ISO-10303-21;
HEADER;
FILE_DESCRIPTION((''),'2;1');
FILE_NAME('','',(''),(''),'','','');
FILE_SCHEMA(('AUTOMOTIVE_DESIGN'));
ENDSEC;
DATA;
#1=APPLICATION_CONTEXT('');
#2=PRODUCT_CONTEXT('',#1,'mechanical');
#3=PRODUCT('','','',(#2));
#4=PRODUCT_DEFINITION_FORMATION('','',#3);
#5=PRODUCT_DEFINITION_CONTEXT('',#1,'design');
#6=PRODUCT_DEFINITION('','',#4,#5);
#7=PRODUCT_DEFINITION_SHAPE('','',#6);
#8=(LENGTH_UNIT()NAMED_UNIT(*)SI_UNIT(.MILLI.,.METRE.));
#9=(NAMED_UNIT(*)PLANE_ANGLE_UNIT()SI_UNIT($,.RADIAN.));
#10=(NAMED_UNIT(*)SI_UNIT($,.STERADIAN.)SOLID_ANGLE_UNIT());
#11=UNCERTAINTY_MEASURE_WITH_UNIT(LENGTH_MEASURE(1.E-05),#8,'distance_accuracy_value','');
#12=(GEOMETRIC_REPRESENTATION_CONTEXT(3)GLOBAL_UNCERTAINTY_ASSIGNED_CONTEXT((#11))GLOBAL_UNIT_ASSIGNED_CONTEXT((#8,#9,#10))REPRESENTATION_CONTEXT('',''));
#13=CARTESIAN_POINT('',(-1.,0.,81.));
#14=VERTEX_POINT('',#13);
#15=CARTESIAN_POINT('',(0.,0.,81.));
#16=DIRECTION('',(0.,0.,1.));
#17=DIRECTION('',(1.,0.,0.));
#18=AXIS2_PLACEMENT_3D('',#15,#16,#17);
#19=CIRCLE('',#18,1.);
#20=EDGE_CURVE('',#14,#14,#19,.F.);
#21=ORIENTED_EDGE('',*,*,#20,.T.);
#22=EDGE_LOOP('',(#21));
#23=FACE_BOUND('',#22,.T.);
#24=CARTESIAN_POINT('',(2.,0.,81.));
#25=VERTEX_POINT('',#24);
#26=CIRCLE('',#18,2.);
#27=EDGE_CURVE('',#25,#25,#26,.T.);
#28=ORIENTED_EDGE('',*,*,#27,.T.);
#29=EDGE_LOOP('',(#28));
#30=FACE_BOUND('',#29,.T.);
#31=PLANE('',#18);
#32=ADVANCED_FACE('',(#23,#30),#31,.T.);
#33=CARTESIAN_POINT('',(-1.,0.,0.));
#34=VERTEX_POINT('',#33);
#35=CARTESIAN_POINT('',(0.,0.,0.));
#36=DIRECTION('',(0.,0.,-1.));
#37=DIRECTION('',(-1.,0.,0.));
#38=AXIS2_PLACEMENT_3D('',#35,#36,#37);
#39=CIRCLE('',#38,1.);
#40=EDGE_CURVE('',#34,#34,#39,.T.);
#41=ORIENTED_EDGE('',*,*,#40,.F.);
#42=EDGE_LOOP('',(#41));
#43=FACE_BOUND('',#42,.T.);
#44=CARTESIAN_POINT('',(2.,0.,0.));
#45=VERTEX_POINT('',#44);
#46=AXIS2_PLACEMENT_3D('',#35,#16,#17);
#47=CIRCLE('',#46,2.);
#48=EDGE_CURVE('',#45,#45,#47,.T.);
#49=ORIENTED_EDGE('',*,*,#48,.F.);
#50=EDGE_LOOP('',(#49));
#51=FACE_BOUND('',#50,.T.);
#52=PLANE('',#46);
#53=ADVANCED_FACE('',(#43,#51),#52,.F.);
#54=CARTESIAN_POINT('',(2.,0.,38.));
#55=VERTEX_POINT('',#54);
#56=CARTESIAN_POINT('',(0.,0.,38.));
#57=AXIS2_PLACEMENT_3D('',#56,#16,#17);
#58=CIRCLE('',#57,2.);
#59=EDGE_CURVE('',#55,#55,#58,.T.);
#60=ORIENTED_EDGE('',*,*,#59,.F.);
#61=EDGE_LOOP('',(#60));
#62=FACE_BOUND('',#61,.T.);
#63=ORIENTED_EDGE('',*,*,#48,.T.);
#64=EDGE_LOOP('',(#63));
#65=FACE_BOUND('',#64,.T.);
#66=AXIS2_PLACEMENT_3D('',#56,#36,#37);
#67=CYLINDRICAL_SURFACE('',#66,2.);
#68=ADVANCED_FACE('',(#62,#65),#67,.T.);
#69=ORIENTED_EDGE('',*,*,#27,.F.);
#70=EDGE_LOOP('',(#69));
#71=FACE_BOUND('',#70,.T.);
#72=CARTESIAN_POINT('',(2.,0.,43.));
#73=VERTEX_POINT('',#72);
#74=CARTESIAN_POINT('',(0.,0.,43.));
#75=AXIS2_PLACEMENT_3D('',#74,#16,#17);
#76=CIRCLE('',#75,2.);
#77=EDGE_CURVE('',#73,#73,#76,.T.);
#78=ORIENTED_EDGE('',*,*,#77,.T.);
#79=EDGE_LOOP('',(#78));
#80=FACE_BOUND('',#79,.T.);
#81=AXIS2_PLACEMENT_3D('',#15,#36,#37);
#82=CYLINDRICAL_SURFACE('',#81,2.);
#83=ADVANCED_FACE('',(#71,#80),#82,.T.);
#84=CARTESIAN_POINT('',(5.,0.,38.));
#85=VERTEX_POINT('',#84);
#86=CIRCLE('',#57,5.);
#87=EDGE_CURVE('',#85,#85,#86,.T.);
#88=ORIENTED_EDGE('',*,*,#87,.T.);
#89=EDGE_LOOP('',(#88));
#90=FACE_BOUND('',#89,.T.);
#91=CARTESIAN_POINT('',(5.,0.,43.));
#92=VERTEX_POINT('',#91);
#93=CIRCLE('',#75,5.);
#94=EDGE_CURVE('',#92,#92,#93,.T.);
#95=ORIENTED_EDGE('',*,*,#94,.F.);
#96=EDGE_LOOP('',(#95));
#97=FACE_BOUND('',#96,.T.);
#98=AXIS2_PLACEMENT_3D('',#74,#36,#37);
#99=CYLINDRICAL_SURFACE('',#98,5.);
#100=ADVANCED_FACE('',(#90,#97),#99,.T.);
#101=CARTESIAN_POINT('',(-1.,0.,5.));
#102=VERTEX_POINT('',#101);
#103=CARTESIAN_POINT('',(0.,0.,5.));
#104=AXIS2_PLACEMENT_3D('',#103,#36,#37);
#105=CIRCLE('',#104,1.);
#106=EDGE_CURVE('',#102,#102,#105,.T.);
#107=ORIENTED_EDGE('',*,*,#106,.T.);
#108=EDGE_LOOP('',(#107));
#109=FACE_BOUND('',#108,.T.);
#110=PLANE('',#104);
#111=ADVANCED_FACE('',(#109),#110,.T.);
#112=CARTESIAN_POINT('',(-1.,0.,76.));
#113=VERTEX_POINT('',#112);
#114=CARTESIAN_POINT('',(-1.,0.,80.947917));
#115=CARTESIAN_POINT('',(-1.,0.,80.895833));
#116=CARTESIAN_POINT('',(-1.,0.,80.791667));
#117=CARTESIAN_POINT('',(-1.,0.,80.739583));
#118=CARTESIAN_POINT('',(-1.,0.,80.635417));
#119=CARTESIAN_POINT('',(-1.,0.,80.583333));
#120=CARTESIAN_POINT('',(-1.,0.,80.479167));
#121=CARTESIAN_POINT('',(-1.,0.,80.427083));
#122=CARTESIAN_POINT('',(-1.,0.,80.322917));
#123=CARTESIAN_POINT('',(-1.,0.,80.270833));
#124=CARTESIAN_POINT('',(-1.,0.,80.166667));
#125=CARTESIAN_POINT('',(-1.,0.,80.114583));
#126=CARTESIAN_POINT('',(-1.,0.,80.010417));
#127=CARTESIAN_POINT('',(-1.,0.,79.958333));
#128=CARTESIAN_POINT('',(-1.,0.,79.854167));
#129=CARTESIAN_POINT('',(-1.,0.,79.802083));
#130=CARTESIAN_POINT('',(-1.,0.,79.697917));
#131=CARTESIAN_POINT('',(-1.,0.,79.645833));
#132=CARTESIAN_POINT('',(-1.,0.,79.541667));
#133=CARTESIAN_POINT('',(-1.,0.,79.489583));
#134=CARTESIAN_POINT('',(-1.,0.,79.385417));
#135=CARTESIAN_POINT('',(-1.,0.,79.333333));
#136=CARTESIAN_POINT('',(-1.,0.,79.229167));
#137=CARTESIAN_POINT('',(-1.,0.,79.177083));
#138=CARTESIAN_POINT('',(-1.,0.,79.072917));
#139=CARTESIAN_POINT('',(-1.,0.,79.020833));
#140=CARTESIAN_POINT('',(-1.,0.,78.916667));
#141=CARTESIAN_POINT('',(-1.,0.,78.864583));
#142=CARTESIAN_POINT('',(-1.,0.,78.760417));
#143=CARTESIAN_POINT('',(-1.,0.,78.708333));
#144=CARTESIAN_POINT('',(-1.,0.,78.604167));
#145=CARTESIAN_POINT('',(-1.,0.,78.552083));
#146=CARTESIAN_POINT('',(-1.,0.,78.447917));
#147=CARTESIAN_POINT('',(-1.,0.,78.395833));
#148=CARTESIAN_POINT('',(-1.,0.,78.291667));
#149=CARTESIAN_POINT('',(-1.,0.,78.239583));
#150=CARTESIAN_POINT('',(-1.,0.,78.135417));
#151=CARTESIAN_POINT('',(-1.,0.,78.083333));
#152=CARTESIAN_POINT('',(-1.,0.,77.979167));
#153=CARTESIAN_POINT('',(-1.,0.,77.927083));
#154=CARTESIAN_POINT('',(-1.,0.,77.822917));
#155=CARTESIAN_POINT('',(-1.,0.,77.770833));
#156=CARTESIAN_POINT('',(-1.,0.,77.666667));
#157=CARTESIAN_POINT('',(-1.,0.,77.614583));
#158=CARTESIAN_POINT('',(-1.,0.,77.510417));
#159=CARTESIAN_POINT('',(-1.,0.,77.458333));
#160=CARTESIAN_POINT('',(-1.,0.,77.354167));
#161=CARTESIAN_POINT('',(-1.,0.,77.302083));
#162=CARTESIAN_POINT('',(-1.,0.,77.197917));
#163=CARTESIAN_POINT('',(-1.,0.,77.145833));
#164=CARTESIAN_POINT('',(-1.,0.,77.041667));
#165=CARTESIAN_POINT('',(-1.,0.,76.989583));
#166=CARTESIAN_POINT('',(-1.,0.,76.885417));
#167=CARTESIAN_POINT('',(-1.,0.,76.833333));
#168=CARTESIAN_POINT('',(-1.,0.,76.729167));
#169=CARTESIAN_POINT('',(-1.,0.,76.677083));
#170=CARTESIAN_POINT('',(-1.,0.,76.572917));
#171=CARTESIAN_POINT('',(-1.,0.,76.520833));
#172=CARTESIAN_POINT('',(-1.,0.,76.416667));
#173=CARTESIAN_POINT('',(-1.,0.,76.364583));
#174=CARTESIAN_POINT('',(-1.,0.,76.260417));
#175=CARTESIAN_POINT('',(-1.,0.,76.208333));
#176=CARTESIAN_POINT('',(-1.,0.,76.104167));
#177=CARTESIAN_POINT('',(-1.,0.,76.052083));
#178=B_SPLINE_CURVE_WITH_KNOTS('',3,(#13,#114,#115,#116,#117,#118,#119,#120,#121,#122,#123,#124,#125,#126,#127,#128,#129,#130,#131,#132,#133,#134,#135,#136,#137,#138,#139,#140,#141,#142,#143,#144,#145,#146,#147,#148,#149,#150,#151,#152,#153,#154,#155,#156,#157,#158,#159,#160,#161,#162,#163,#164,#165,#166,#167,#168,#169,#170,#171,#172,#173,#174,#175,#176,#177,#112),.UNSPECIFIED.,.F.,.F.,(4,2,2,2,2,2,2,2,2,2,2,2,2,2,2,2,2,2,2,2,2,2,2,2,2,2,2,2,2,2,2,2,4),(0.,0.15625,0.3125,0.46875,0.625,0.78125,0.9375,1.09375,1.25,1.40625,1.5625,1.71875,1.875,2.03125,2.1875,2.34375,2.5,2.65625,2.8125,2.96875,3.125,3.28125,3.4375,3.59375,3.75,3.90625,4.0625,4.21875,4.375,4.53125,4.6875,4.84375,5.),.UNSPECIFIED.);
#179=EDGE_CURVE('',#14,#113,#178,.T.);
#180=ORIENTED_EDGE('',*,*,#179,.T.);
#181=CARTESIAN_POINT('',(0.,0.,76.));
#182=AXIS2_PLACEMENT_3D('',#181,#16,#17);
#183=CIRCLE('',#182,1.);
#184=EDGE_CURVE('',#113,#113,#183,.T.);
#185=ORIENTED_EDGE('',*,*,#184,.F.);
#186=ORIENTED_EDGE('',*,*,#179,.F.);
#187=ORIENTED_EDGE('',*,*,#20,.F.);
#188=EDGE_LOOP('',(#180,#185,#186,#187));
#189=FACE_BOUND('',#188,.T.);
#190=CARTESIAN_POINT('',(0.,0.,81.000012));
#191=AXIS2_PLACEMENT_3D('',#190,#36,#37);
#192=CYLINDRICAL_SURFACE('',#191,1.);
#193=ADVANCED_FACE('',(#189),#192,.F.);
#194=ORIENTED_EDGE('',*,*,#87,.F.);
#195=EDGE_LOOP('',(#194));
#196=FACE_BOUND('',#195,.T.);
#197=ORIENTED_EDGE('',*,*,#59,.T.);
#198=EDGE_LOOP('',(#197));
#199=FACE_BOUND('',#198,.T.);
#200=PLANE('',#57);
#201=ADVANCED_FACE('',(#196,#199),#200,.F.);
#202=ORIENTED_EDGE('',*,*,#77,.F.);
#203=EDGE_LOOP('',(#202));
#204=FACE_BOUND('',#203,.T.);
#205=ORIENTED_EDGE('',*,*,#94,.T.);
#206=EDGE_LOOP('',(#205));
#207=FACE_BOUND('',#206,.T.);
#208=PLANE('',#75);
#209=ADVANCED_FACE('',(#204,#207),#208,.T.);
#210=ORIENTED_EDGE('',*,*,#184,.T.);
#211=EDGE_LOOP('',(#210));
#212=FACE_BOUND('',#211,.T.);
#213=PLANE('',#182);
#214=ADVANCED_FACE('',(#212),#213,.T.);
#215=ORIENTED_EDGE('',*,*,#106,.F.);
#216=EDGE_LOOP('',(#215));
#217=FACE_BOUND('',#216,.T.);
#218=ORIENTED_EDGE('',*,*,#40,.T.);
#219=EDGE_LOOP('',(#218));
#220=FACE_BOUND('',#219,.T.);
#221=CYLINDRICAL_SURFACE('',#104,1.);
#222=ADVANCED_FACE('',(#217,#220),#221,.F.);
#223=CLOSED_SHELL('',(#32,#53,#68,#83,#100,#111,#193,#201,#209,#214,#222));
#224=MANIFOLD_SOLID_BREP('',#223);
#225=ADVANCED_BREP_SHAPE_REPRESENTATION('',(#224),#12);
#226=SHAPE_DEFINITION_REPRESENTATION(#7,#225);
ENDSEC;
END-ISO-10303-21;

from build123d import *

# Parameters (mm, degrees)
SKETCH1_R               = 2
BOSS_EXTRUDE1_DEPTH     = 38
SKETCH2_R               = 5
BOSS_EXTRUDE2_DEPTH     = 5
SKETCH3_R               = 2
BOSS_EXTRUDE3_DEPTH     = 38
SKETCH4_R               = 1
CUT_EXTRUDE1_DEPTH      = 5
CUT_EXTRUDE2_DEPTH      = 82.308056181
CUT_EXTRUDE2_DEPTH_BACK = 5
SKETCH5_R               = 1


with BuildPart() as part:
    # Sketch1 → Boss-Extrude1 (new body)
    with BuildSketch(Plane.XY):
        Circle(SKETCH1_R)
    extrude(amount=BOSS_EXTRUDE1_DEPTH)

    # Sketch2 → Boss-Extrude2 (add)
    with BuildSketch(Plane.XY.offset(38)):
        Circle(SKETCH2_R)
    extrude(amount=BOSS_EXTRUDE2_DEPTH)

    # Sketch3 → Boss-Extrude3 (add)
    with BuildSketch(Plane.XY.offset(43)):
        Circle(SKETCH3_R)
    extrude(amount=BOSS_EXTRUDE3_DEPTH)

    # Sketch4 → Cut-Extrude1 (cut)
    with BuildSketch(Plane(origin=(0, 0, 0), x_dir=(-1, 0, 0), z_dir=(0, 0, -1))):
        Circle(SKETCH4_R)
    extrude(amount=-CUT_EXTRUDE1_DEPTH, mode=Mode.SUBTRACT)

    # Sketch5 → Cut-Extrude2 (cut, two sides: drawn at the far end of the back side and taken through both)
    with BuildSketch(Plane.XY.offset(81).offset(-CUT_EXTRUDE2_DEPTH_BACK)):
        with Locations(Location((0, 0, 0), (0, 0, 180))):
            Circle(SKETCH5_R)
    extrude(amount=CUT_EXTRUDE2_DEPTH + CUT_EXTRUDE2_DEPTH_BACK, mode=Mode.SUBTRACT)


solid = part.part
